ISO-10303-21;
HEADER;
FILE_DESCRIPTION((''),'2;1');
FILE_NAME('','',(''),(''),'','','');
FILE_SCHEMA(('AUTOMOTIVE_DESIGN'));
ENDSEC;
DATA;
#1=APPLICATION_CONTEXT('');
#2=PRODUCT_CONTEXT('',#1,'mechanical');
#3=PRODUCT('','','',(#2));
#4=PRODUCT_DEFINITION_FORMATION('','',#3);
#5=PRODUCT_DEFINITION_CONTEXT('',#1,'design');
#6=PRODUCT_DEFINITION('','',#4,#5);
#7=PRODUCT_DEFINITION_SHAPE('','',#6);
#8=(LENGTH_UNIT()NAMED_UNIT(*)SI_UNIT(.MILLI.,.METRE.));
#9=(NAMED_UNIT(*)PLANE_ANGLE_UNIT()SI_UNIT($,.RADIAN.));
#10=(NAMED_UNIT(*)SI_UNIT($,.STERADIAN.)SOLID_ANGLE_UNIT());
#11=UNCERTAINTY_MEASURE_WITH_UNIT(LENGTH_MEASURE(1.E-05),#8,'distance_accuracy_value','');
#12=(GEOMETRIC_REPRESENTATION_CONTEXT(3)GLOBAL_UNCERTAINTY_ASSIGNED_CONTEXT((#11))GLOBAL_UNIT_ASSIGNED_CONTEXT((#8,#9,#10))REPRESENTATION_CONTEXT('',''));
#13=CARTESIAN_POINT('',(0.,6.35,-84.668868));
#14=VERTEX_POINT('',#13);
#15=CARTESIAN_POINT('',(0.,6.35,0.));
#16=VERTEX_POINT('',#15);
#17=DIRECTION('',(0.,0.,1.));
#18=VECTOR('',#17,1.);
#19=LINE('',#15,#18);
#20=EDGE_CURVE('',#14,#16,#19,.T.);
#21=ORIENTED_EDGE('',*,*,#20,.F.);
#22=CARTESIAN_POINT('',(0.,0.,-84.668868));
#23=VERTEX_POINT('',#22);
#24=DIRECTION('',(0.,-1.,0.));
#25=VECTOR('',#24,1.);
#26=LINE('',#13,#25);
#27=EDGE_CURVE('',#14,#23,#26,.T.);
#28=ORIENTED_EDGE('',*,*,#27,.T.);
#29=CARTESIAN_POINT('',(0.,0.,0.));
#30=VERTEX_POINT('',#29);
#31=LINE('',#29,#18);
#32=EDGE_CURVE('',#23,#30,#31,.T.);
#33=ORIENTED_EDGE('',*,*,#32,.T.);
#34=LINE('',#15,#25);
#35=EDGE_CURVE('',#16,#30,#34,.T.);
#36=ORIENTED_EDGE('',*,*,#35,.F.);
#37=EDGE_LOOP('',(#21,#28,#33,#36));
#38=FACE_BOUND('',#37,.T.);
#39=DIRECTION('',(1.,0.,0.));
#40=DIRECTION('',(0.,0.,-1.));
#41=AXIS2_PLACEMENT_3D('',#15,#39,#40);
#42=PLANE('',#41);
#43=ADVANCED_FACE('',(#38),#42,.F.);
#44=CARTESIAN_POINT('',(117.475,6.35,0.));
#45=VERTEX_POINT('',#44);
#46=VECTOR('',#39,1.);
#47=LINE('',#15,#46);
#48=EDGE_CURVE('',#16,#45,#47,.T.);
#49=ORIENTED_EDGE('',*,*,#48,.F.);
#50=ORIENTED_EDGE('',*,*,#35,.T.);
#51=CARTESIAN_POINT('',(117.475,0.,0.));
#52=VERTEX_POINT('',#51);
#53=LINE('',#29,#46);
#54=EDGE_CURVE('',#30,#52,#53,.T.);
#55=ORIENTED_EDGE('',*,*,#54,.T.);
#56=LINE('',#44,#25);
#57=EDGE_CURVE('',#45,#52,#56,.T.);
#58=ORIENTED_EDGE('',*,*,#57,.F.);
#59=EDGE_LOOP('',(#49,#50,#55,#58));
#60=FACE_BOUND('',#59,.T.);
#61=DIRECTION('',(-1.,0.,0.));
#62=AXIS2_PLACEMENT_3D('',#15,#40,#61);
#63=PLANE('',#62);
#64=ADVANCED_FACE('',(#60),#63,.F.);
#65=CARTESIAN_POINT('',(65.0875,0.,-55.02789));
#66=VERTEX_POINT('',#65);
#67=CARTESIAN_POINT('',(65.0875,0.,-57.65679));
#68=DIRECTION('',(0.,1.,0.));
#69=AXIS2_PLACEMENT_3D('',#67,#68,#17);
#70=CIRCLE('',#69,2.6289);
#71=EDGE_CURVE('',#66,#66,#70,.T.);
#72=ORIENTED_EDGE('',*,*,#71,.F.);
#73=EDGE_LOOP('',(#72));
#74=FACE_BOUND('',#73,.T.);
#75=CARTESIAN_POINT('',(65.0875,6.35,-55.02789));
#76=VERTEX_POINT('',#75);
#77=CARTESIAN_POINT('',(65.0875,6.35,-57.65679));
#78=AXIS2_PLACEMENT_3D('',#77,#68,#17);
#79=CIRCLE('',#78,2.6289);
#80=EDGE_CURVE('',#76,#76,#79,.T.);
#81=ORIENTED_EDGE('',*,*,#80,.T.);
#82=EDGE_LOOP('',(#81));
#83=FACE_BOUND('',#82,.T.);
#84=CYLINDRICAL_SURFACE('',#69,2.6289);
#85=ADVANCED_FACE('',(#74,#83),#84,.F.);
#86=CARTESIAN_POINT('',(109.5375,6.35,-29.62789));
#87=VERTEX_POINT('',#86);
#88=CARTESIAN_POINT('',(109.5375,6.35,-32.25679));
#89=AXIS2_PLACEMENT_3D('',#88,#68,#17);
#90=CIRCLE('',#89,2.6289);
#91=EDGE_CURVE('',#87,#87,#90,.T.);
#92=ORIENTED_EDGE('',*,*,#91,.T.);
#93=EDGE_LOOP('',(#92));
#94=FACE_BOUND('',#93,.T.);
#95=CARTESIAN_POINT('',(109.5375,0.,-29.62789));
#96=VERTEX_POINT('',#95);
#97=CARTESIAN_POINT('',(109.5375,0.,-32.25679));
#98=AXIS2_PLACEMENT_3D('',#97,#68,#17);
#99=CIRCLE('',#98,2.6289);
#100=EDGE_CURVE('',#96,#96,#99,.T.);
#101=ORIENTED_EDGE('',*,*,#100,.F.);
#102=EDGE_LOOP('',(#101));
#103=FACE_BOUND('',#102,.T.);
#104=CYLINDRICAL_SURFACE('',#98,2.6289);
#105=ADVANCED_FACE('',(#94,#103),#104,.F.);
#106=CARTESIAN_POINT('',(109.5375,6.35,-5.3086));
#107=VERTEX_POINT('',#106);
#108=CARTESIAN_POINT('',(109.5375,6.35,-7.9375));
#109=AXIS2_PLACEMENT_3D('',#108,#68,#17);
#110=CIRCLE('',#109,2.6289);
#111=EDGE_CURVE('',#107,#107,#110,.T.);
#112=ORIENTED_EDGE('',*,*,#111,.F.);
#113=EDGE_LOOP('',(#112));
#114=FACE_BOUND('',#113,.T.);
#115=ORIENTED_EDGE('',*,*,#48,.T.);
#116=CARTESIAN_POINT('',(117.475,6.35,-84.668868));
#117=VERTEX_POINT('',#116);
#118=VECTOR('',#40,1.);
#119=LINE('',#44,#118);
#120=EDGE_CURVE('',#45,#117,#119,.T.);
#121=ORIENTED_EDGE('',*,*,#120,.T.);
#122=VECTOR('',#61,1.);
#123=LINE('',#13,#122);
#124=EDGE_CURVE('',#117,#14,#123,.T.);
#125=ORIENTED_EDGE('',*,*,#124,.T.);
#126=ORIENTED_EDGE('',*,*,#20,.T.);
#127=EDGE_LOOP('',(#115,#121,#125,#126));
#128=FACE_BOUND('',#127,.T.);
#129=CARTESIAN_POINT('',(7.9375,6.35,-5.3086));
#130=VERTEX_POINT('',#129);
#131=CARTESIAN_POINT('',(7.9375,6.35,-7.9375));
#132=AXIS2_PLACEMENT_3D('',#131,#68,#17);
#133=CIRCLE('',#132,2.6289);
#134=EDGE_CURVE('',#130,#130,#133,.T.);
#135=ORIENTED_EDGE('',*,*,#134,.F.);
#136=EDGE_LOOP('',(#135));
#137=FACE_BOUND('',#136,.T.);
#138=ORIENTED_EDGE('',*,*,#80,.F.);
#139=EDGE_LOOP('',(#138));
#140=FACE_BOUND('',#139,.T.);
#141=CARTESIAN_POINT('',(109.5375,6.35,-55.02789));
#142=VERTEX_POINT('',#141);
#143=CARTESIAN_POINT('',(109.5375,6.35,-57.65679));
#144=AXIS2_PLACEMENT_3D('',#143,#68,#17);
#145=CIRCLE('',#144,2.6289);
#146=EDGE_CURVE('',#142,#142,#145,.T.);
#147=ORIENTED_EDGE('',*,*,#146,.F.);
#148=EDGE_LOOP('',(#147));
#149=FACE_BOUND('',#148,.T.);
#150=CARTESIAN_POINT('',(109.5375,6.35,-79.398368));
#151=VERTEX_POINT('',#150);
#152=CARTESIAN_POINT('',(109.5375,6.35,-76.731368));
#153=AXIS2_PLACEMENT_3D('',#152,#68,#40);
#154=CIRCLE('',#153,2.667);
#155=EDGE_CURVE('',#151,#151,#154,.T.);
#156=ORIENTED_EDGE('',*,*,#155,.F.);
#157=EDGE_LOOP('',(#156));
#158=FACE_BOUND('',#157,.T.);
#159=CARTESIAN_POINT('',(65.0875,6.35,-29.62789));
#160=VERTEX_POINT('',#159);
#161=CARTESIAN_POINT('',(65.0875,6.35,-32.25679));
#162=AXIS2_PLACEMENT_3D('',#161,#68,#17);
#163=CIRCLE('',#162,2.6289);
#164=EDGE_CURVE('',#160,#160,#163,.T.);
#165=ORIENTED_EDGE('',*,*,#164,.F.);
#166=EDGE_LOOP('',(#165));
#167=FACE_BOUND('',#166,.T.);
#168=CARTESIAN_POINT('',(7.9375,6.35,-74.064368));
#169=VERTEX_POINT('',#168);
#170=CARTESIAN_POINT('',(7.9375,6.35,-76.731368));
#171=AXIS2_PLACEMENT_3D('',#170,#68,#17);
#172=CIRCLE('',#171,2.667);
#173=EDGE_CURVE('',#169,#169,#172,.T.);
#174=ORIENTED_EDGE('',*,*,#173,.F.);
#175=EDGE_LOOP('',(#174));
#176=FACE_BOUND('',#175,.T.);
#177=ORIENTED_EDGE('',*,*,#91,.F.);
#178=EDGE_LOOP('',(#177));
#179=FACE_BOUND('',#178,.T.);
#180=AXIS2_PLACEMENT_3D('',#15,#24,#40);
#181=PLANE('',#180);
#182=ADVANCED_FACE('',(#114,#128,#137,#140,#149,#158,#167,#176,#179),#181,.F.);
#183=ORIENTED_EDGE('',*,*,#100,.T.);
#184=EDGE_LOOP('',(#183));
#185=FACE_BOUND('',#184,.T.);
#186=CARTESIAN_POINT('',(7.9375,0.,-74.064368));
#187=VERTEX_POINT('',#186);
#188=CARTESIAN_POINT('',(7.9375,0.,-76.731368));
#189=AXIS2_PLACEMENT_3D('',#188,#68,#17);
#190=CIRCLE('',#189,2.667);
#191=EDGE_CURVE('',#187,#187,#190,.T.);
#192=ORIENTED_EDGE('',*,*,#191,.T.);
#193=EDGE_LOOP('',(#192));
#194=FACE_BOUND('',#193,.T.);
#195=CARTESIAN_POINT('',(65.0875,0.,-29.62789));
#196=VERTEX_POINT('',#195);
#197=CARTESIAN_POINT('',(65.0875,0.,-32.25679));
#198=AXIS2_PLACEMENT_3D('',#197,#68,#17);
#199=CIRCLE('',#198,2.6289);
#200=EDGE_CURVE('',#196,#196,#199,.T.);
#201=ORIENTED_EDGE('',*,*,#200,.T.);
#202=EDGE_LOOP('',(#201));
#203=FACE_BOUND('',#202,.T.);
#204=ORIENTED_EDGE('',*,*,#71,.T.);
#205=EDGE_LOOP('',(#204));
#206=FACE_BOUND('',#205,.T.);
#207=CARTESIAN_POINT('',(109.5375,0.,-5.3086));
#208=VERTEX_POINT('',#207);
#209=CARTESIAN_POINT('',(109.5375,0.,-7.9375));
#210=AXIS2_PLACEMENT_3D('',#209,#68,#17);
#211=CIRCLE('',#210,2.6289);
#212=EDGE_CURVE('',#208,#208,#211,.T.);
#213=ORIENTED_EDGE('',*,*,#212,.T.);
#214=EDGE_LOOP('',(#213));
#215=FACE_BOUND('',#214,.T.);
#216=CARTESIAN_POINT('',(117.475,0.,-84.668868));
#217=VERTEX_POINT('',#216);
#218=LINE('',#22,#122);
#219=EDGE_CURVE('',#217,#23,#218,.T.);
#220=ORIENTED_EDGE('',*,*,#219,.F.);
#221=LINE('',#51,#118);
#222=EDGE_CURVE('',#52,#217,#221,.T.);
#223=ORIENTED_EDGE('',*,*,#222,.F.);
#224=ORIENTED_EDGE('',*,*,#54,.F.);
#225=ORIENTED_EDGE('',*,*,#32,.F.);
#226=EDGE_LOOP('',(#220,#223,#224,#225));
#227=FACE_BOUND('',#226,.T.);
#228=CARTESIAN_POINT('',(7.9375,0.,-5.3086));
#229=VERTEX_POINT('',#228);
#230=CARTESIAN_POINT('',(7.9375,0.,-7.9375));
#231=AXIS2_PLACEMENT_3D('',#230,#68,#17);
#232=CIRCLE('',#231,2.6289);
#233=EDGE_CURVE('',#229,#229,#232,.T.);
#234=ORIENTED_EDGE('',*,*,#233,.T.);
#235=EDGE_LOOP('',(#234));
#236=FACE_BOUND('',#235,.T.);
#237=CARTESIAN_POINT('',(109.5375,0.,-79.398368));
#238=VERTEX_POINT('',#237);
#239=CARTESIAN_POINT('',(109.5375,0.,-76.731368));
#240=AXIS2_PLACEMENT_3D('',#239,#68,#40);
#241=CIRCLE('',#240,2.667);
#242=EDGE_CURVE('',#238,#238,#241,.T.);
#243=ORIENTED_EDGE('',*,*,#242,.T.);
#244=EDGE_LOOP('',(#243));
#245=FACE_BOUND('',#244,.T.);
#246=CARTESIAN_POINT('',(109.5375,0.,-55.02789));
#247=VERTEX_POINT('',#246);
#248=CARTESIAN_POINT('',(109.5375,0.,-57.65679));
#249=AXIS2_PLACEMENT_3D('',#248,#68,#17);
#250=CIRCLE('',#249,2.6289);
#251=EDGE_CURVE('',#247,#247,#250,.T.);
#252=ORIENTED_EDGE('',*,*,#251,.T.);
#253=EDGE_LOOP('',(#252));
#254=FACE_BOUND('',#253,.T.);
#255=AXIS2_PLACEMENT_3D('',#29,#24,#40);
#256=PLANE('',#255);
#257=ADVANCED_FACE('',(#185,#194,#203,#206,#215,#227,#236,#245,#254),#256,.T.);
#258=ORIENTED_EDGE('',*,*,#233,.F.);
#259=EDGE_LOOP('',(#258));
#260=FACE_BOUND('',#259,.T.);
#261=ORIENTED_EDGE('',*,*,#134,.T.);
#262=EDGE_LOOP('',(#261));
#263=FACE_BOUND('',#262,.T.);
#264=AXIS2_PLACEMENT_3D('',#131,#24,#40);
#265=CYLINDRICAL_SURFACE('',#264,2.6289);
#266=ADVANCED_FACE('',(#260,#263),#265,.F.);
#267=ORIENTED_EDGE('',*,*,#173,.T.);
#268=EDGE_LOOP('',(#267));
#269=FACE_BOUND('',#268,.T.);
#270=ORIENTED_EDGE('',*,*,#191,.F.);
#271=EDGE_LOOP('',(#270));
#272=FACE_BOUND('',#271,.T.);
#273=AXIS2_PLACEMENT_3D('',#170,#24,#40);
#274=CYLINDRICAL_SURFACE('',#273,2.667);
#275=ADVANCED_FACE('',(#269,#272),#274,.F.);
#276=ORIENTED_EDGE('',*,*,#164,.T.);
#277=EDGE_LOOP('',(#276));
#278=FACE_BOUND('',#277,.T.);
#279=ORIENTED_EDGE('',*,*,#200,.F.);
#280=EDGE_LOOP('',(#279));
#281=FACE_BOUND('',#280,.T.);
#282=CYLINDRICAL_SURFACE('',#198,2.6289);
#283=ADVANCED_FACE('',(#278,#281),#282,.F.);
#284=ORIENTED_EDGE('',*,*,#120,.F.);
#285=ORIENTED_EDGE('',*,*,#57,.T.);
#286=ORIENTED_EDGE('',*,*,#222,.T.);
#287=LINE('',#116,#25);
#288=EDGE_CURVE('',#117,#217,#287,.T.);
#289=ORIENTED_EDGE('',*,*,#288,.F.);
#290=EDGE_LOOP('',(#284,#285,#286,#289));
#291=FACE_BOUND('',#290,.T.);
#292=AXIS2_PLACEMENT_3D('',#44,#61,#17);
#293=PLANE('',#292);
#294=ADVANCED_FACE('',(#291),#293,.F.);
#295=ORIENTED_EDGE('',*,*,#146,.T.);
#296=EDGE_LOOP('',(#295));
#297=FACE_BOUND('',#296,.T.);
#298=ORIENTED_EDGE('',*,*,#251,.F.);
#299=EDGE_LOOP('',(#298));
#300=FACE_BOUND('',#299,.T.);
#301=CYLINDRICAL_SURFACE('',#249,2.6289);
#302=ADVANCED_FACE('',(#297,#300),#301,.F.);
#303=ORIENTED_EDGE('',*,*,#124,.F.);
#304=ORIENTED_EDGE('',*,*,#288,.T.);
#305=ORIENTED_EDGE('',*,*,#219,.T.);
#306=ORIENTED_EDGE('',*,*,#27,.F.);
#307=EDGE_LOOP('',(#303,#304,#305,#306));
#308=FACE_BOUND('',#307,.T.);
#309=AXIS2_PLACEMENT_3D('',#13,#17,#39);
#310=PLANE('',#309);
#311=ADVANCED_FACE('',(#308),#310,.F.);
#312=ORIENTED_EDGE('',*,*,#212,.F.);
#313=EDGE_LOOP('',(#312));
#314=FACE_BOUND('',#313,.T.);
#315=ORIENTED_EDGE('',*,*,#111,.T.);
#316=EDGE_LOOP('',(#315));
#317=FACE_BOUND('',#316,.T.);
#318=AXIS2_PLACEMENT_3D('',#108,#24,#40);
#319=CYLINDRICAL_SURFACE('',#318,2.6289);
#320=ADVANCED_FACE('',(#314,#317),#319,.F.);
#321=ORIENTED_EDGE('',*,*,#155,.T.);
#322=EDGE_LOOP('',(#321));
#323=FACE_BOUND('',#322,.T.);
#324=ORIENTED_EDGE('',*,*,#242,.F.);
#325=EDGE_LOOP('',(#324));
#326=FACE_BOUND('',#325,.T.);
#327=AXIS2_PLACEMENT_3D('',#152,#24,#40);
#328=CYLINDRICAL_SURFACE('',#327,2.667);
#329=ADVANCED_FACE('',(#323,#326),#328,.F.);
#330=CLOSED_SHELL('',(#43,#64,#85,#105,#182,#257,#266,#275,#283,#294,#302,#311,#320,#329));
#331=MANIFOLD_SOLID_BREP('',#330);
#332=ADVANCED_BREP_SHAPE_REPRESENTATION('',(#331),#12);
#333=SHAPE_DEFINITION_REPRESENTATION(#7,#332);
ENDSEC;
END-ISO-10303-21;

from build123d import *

# Parameters (mm, degrees)
SKETCH1_W           = 117.475
SKETCH1_H           = 84.668868
SKETCH1_R           = 2.6289
SKETCH1_R_2         = 2.667
BOSS_EXTRUDE1_DEPTH = 6.35
SKETCH2_R           = 2.6289
CUT_EXTRUDE1_DEPTH  = 7.35


with BuildPart() as part:
    # Sketch1 → Boss-Extrude1 (new body)
    with BuildSketch(Plane(origin=(0, 0, 0), x_dir=(1, 0, 0), z_dir=(0, 1, 0))):
        with Locations((58.7375, 42.334434)):
            Rectangle(SKETCH1_W, SKETCH1_H)
        with Locations((7.9375, 7.9375)):
            Circle(SKETCH1_R, mode=Mode.SUBTRACT)
        with Locations((109.5375, 7.9375)):
            Circle(SKETCH1_R, mode=Mode.SUBTRACT)
        with Locations((7.9375, 76.731368)):
            Circle(SKETCH1_R_2, mode=Mode.SUBTRACT)
        with Locations((109.5375, 76.731368)):
            Circle(SKETCH1_R_2, mode=Mode.SUBTRACT)
    extrude(amount=BOSS_EXTRUDE1_DEPTH)

    # Sketch2 → Cut-Extrude1 (cut, through all)
    with BuildSketch(Plane(origin=(0, 6.35, 0), x_dir=(1, 0, 0), z_dir=(0, 1, 0))):
        with Locations((109.5375, 32.256790414)):
            Circle(SKETCH2_R)
        with Locations((109.5375, 57.656790414)):
            Circle(SKETCH2_R)
        with Locations((65.0875, 57.656790414)):
            Circle(SKETCH2_R)
        with Locations((65.0875, 32.256790414)):
            Circle(SKETCH2_R)
    extrude(amount=-CUT_EXTRUDE1_DEPTH, mode=Mode.SUBTRACT)


solid = part.part
